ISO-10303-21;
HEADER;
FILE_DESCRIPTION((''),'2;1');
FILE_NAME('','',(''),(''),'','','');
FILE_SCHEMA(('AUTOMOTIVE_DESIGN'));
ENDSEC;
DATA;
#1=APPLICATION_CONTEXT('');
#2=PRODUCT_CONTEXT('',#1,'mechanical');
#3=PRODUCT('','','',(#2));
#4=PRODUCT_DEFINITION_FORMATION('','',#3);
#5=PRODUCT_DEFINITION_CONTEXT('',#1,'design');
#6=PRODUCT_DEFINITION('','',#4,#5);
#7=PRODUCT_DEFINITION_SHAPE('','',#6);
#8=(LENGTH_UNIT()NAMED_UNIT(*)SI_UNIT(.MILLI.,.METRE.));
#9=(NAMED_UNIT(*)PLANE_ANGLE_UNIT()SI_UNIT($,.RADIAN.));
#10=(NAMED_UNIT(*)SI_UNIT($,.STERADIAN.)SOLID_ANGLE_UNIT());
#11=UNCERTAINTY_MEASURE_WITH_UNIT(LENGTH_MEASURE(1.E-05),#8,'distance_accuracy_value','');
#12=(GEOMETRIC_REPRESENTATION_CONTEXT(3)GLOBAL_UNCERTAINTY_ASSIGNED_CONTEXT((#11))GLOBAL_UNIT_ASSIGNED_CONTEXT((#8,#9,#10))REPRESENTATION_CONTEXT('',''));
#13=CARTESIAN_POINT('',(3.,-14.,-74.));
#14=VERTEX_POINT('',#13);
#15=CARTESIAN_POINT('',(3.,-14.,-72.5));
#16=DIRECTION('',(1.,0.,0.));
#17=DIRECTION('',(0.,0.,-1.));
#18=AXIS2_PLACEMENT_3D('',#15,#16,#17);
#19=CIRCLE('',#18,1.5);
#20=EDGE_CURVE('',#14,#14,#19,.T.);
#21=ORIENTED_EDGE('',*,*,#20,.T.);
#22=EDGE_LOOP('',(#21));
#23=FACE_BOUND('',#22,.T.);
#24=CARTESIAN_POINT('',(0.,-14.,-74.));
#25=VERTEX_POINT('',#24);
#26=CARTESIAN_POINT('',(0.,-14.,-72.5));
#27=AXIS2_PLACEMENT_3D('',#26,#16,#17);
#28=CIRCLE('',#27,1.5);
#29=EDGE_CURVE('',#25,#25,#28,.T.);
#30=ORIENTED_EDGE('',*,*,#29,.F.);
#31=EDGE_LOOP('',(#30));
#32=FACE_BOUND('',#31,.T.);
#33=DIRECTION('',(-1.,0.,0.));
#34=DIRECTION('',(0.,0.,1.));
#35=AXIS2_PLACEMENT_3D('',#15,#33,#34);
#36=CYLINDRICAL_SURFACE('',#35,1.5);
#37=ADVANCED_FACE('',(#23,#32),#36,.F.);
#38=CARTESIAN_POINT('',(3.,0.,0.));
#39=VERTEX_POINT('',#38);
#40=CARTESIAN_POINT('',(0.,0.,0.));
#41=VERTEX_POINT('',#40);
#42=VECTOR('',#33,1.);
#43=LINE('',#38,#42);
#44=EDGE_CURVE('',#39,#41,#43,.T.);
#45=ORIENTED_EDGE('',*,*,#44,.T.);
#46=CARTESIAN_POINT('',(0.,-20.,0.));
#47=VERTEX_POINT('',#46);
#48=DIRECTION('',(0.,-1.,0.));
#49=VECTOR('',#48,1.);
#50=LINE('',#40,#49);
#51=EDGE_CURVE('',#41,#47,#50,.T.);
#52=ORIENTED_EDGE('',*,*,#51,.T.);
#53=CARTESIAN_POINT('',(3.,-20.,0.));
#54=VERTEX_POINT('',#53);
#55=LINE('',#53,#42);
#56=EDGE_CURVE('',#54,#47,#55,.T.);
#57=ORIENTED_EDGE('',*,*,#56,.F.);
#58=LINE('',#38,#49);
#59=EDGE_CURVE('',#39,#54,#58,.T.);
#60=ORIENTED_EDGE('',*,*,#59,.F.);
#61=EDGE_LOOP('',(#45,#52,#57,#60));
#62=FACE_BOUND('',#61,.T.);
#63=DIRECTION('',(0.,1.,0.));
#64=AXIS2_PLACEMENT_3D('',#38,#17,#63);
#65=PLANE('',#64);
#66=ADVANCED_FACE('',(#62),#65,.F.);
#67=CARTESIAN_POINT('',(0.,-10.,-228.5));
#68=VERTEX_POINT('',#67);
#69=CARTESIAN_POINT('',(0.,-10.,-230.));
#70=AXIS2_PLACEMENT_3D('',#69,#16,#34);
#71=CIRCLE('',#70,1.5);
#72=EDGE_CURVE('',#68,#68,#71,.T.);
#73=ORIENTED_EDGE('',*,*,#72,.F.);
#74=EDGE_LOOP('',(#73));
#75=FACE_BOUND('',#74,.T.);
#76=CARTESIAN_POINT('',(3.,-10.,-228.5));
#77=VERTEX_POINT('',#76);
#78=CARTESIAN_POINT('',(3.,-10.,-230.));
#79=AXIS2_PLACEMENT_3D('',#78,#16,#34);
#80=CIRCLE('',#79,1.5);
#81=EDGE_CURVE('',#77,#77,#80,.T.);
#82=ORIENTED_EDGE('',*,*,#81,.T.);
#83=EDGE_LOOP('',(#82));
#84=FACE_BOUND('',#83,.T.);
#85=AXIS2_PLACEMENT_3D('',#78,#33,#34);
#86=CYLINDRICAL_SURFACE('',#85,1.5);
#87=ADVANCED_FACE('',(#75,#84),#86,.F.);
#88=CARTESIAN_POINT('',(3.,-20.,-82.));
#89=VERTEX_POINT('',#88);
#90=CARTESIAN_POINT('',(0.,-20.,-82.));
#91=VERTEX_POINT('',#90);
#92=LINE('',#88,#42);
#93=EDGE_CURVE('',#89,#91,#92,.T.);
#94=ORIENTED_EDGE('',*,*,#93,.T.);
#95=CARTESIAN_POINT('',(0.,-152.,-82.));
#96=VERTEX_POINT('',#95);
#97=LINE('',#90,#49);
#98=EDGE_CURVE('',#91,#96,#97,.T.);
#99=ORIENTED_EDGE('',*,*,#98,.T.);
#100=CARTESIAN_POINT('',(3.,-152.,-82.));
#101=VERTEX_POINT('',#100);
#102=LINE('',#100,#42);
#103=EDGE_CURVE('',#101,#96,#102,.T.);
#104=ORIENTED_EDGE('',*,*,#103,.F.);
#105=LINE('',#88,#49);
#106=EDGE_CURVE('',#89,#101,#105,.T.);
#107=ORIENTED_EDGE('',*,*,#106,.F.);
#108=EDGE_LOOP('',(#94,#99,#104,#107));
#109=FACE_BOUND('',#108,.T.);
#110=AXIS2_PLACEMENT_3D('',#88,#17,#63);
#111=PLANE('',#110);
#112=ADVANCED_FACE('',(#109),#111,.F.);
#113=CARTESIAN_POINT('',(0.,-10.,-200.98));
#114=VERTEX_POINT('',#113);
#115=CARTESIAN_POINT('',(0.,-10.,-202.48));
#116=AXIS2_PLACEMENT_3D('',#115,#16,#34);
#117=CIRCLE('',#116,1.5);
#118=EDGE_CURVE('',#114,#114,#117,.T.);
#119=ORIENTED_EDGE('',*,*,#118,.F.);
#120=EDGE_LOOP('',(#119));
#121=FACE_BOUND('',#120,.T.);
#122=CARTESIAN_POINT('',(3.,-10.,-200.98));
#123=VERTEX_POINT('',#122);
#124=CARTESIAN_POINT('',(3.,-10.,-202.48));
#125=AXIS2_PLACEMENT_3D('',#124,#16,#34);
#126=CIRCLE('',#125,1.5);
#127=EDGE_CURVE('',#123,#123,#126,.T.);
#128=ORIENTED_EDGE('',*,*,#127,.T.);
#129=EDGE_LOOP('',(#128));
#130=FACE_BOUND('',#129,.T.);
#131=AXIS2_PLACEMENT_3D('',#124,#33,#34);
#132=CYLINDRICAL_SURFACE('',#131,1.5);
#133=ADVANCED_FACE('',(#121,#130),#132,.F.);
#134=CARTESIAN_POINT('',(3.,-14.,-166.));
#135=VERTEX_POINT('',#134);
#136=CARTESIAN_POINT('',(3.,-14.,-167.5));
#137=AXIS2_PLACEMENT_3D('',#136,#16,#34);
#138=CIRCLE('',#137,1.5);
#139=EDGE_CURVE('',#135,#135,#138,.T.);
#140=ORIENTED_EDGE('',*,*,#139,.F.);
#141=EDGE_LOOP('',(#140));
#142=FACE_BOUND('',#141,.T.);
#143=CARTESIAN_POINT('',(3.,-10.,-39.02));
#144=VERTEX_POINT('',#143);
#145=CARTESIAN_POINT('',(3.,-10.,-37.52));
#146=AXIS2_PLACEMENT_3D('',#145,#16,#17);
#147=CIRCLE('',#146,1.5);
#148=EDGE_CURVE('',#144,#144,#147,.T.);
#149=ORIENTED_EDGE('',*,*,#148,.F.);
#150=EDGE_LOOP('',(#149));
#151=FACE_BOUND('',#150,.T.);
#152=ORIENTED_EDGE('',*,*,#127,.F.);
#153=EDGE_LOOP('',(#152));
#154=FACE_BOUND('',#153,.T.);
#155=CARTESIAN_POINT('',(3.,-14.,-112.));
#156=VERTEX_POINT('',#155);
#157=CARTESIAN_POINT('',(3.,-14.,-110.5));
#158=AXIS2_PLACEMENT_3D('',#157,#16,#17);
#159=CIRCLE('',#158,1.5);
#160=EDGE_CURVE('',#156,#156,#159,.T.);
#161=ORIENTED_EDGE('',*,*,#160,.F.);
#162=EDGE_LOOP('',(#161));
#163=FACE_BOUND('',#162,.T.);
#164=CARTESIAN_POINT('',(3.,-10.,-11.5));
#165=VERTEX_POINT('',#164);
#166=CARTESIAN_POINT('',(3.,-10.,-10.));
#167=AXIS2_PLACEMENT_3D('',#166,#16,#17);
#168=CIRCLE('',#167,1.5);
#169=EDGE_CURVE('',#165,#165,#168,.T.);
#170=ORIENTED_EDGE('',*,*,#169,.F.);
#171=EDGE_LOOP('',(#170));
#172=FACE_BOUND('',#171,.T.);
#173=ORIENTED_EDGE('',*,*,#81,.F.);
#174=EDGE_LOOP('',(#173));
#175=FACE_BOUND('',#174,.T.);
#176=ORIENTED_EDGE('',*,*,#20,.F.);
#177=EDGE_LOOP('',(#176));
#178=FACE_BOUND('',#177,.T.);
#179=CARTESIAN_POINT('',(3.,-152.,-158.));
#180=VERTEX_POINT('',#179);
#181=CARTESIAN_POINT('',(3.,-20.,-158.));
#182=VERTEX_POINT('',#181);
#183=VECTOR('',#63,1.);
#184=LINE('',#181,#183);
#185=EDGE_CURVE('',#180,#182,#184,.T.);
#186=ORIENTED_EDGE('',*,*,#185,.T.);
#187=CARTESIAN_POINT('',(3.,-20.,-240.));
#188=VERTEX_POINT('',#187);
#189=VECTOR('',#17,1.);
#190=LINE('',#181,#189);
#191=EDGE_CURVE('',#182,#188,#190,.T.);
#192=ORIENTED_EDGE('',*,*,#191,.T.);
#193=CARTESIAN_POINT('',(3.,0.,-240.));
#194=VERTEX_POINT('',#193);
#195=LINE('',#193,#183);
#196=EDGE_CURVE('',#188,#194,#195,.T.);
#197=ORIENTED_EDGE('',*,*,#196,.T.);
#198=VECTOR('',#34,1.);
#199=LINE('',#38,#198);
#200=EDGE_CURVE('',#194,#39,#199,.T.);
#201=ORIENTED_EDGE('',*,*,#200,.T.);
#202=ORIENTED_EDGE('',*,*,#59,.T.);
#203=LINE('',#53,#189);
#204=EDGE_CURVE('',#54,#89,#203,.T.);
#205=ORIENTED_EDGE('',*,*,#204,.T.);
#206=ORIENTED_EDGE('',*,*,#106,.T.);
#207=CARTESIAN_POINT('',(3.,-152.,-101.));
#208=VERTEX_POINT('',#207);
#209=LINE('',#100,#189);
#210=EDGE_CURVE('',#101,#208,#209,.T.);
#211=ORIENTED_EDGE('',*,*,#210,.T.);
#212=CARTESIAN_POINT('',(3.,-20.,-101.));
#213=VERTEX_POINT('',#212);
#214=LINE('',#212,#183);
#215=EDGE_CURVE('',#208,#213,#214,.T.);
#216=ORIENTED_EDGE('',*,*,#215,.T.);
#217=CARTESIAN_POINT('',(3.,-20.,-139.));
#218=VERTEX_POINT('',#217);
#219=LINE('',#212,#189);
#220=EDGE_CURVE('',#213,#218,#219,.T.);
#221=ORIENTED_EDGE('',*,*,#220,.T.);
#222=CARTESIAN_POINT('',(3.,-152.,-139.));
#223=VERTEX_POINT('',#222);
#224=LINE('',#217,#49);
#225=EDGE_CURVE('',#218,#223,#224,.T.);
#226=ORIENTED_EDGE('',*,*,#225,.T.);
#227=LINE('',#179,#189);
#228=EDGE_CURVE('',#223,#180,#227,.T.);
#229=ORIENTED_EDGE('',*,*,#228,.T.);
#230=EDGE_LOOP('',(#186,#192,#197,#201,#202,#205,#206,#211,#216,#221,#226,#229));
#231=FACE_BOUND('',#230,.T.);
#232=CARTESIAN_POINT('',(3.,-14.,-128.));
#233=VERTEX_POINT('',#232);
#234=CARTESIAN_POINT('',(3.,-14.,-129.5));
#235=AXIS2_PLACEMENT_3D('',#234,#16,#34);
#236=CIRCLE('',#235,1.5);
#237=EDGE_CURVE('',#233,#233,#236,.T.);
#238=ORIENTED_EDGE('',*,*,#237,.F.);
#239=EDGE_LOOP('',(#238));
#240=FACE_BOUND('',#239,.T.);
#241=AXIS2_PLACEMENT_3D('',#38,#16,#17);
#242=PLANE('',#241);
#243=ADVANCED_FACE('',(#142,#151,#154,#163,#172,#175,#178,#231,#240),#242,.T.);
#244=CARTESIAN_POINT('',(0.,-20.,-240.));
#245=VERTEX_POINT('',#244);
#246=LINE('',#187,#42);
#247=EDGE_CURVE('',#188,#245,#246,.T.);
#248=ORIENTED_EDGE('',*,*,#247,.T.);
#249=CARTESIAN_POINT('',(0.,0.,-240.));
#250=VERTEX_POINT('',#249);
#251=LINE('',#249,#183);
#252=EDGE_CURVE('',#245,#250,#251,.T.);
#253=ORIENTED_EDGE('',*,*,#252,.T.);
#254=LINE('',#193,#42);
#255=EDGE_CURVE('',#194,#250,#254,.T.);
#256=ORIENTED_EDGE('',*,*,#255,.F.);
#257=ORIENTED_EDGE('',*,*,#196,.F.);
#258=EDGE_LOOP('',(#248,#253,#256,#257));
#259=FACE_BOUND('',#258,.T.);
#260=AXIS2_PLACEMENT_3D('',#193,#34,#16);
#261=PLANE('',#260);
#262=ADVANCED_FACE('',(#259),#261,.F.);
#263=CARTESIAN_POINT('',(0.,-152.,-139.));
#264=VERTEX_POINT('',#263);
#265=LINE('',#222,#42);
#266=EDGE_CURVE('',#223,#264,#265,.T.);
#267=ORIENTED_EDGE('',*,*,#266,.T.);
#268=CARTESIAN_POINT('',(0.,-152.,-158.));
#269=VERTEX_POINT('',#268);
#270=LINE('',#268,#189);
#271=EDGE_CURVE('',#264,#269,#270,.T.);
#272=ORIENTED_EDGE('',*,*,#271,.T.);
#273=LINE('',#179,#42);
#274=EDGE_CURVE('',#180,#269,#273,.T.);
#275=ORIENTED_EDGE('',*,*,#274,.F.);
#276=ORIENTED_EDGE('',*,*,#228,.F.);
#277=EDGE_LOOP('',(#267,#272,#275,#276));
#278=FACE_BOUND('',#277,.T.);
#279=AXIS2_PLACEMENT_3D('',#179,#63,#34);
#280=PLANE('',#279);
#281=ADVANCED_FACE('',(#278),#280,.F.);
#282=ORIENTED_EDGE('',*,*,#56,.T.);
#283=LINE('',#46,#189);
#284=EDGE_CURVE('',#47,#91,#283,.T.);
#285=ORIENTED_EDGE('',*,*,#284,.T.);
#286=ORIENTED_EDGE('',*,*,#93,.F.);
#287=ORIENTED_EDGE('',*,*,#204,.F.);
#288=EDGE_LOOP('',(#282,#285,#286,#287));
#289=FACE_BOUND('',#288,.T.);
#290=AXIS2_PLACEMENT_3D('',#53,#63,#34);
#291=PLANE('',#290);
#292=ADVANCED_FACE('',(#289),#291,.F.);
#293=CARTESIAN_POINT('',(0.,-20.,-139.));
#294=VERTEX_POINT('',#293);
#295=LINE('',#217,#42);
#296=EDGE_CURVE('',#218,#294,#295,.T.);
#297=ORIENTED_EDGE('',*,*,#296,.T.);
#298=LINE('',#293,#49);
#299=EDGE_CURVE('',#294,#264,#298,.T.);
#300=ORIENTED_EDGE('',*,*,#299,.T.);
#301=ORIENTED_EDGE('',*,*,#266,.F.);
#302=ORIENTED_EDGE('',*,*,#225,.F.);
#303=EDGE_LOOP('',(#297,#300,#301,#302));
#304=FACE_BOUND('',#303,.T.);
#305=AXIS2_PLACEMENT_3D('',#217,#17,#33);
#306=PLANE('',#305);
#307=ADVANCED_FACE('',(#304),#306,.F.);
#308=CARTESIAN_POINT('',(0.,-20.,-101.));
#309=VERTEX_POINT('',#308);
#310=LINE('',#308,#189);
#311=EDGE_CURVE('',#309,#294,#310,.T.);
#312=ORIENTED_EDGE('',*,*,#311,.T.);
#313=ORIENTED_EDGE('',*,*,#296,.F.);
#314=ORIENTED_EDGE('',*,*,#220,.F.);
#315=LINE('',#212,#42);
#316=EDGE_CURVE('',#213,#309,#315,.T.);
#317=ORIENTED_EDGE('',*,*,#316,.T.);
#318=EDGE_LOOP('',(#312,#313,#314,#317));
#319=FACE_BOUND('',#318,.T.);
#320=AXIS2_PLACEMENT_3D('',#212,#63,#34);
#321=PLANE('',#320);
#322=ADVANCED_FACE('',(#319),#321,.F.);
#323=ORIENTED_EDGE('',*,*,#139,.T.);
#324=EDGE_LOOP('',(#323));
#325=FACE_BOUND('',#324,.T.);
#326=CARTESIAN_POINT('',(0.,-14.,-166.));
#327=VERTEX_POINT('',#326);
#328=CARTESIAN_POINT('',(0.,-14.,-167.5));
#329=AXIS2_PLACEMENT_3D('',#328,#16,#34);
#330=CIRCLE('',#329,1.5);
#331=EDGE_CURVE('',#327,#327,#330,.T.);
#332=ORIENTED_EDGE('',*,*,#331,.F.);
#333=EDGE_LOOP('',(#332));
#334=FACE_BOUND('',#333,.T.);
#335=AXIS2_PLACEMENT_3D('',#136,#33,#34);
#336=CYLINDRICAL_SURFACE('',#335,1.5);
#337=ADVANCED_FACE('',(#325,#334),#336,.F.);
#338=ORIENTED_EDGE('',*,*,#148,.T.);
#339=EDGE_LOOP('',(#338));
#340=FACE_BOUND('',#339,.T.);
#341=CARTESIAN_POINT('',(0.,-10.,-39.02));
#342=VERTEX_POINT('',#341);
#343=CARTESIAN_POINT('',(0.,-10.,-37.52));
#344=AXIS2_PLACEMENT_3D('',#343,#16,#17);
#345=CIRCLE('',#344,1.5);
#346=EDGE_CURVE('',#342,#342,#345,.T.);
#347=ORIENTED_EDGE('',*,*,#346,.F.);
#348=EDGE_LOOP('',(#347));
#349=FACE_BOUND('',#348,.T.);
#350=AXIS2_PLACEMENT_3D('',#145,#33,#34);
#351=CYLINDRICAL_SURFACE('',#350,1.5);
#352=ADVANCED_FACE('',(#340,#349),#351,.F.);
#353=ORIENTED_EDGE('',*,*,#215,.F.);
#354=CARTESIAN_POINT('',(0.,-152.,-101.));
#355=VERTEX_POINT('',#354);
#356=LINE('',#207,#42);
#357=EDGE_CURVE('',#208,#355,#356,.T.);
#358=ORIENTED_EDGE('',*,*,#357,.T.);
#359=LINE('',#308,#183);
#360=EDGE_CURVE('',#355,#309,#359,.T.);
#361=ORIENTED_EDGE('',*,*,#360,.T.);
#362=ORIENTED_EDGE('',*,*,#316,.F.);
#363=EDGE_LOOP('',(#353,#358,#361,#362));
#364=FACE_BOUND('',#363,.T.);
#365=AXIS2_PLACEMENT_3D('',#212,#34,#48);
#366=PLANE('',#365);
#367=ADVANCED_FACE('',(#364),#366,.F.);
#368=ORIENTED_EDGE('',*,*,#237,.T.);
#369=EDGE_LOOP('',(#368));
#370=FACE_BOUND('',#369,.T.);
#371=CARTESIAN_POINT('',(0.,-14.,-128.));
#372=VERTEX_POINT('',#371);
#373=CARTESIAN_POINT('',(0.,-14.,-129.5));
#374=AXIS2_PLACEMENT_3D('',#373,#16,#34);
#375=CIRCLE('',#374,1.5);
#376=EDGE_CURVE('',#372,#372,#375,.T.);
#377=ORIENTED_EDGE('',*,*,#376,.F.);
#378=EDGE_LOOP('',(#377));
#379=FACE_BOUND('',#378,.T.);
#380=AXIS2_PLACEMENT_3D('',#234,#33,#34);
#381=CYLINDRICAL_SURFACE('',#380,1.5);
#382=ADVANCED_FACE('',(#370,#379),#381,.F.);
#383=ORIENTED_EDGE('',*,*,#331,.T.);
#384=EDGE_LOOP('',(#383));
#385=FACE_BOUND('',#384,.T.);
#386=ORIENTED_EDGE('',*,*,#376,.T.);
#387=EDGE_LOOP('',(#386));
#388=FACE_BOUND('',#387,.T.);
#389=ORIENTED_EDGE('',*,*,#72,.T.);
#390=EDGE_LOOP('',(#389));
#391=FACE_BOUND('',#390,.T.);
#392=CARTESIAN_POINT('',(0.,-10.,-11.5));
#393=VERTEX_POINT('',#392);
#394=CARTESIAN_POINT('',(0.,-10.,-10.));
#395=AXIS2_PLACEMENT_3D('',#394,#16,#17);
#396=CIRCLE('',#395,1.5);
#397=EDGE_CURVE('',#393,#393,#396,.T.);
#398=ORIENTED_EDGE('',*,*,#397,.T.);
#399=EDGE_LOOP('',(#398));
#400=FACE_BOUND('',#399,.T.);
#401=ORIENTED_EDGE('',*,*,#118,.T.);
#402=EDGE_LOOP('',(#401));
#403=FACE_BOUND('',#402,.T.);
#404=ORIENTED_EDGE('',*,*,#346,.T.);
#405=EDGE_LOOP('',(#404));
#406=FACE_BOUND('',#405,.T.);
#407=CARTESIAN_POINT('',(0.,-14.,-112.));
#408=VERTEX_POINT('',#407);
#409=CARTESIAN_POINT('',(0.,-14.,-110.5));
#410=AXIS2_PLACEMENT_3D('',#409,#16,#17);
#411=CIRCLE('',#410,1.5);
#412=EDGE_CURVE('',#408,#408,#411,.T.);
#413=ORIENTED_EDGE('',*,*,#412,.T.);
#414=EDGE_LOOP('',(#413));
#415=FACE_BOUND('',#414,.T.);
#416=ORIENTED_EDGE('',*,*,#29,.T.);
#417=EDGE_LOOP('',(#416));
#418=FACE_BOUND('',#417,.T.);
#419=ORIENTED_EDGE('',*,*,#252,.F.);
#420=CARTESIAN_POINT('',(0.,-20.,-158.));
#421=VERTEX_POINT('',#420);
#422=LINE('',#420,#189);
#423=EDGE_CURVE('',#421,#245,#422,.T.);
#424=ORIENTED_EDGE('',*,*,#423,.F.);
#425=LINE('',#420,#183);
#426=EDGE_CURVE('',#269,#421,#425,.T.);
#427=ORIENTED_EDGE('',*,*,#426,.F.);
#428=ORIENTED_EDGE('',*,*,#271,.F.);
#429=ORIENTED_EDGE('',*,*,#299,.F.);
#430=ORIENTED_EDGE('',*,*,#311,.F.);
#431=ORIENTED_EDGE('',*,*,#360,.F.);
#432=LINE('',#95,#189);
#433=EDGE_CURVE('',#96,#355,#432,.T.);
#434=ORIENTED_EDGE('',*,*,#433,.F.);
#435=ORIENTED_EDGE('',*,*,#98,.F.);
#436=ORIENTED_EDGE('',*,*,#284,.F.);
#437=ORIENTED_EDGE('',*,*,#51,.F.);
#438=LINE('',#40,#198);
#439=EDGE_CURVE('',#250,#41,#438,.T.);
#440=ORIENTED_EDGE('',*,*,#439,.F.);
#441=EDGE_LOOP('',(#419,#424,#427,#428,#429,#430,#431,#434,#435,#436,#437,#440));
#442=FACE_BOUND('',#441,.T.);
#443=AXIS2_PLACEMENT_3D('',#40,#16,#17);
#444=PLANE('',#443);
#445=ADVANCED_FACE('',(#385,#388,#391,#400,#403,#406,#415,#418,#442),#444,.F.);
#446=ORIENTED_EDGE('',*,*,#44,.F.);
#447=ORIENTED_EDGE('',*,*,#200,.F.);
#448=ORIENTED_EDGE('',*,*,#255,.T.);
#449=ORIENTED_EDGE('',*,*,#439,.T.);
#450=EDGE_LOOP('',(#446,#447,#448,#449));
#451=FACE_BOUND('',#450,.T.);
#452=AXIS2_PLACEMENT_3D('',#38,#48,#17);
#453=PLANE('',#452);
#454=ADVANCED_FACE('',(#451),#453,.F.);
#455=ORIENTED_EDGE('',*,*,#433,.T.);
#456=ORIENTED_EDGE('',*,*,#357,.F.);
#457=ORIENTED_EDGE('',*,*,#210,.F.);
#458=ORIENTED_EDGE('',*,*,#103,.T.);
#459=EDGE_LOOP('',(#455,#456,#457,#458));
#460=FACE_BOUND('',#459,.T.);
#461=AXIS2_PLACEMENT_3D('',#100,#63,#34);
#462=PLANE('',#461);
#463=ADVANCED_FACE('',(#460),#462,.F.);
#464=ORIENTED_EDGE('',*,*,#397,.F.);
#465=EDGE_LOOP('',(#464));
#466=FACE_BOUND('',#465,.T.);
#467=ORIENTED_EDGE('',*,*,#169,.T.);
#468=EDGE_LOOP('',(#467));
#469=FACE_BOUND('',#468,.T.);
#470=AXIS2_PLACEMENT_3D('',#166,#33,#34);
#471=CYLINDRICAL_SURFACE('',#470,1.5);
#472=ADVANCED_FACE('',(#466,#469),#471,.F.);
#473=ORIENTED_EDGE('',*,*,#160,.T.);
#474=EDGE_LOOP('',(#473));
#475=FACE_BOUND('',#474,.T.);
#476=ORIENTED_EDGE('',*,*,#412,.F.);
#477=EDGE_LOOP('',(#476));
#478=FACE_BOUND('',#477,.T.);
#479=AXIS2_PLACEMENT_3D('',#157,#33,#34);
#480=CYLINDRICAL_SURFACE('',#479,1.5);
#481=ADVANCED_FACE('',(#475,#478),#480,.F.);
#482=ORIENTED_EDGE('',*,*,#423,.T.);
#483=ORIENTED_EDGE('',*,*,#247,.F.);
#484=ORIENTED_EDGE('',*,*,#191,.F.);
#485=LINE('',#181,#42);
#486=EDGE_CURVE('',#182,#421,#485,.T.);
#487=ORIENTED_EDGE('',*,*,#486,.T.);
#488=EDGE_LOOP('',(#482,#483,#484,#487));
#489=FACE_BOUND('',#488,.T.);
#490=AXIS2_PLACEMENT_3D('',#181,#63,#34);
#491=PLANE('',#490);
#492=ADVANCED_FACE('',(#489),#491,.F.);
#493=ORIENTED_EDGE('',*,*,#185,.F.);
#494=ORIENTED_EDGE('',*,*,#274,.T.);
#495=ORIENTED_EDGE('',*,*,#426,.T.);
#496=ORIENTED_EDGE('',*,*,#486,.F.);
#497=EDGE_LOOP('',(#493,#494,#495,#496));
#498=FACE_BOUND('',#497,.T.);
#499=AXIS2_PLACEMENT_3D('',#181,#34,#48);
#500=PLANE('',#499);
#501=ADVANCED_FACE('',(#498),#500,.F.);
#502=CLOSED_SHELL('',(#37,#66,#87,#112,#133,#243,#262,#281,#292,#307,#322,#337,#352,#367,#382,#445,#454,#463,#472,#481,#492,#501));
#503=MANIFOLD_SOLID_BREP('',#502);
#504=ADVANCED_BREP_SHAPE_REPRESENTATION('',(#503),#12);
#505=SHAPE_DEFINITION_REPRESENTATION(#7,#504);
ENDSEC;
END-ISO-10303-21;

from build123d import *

# Parameters (mm, degrees)
SKETCH_1_R      = 1.5
EXTRUDE_1_DEPTH = 3


with BuildPart() as part:
    # 草图1 → 凸台-拉伸1 (new body)
    with BuildSketch(Plane(origin=(0, 0, 0), x_dir=(0, 0, -1), z_dir=(1, 0, 0))):
        Polygon((0, 0), (240, 0), (240, -20), (158, -20), (158, -152), (139, -152), (139, -20), (101, -20), (101, -152), (82, -152), (82, -20), (0, -20), align=None)
        with Locations((72.5, -14)):
            Circle(SKETCH_1_R, mode=Mode.SUBTRACT)
        with Locations((110.5, -14)):
            Circle(SKETCH_1_R, mode=Mode.SUBTRACT)
        with Locations((129.5, -14)):
            Circle(SKETCH_1_R, mode=Mode.SUBTRACT)
        with Locations((167.5, -14)):
            Circle(SKETCH_1_R, mode=Mode.SUBTRACT)
        with Locations((10, -10)):
            Circle(SKETCH_1_R, mode=Mode.SUBTRACT)
        with Locations((230, -10)):
            Circle(SKETCH_1_R, mode=Mode.SUBTRACT)
        with Locations((37.52, -10)):
            Circle(SKETCH_1_R, mode=Mode.SUBTRACT)
        with Locations((202.48, -10)):
            Circle(SKETCH_1_R, mode=Mode.SUBTRACT)
    extrude(amount=EXTRUDE_1_DEPTH)


solid = part.part
